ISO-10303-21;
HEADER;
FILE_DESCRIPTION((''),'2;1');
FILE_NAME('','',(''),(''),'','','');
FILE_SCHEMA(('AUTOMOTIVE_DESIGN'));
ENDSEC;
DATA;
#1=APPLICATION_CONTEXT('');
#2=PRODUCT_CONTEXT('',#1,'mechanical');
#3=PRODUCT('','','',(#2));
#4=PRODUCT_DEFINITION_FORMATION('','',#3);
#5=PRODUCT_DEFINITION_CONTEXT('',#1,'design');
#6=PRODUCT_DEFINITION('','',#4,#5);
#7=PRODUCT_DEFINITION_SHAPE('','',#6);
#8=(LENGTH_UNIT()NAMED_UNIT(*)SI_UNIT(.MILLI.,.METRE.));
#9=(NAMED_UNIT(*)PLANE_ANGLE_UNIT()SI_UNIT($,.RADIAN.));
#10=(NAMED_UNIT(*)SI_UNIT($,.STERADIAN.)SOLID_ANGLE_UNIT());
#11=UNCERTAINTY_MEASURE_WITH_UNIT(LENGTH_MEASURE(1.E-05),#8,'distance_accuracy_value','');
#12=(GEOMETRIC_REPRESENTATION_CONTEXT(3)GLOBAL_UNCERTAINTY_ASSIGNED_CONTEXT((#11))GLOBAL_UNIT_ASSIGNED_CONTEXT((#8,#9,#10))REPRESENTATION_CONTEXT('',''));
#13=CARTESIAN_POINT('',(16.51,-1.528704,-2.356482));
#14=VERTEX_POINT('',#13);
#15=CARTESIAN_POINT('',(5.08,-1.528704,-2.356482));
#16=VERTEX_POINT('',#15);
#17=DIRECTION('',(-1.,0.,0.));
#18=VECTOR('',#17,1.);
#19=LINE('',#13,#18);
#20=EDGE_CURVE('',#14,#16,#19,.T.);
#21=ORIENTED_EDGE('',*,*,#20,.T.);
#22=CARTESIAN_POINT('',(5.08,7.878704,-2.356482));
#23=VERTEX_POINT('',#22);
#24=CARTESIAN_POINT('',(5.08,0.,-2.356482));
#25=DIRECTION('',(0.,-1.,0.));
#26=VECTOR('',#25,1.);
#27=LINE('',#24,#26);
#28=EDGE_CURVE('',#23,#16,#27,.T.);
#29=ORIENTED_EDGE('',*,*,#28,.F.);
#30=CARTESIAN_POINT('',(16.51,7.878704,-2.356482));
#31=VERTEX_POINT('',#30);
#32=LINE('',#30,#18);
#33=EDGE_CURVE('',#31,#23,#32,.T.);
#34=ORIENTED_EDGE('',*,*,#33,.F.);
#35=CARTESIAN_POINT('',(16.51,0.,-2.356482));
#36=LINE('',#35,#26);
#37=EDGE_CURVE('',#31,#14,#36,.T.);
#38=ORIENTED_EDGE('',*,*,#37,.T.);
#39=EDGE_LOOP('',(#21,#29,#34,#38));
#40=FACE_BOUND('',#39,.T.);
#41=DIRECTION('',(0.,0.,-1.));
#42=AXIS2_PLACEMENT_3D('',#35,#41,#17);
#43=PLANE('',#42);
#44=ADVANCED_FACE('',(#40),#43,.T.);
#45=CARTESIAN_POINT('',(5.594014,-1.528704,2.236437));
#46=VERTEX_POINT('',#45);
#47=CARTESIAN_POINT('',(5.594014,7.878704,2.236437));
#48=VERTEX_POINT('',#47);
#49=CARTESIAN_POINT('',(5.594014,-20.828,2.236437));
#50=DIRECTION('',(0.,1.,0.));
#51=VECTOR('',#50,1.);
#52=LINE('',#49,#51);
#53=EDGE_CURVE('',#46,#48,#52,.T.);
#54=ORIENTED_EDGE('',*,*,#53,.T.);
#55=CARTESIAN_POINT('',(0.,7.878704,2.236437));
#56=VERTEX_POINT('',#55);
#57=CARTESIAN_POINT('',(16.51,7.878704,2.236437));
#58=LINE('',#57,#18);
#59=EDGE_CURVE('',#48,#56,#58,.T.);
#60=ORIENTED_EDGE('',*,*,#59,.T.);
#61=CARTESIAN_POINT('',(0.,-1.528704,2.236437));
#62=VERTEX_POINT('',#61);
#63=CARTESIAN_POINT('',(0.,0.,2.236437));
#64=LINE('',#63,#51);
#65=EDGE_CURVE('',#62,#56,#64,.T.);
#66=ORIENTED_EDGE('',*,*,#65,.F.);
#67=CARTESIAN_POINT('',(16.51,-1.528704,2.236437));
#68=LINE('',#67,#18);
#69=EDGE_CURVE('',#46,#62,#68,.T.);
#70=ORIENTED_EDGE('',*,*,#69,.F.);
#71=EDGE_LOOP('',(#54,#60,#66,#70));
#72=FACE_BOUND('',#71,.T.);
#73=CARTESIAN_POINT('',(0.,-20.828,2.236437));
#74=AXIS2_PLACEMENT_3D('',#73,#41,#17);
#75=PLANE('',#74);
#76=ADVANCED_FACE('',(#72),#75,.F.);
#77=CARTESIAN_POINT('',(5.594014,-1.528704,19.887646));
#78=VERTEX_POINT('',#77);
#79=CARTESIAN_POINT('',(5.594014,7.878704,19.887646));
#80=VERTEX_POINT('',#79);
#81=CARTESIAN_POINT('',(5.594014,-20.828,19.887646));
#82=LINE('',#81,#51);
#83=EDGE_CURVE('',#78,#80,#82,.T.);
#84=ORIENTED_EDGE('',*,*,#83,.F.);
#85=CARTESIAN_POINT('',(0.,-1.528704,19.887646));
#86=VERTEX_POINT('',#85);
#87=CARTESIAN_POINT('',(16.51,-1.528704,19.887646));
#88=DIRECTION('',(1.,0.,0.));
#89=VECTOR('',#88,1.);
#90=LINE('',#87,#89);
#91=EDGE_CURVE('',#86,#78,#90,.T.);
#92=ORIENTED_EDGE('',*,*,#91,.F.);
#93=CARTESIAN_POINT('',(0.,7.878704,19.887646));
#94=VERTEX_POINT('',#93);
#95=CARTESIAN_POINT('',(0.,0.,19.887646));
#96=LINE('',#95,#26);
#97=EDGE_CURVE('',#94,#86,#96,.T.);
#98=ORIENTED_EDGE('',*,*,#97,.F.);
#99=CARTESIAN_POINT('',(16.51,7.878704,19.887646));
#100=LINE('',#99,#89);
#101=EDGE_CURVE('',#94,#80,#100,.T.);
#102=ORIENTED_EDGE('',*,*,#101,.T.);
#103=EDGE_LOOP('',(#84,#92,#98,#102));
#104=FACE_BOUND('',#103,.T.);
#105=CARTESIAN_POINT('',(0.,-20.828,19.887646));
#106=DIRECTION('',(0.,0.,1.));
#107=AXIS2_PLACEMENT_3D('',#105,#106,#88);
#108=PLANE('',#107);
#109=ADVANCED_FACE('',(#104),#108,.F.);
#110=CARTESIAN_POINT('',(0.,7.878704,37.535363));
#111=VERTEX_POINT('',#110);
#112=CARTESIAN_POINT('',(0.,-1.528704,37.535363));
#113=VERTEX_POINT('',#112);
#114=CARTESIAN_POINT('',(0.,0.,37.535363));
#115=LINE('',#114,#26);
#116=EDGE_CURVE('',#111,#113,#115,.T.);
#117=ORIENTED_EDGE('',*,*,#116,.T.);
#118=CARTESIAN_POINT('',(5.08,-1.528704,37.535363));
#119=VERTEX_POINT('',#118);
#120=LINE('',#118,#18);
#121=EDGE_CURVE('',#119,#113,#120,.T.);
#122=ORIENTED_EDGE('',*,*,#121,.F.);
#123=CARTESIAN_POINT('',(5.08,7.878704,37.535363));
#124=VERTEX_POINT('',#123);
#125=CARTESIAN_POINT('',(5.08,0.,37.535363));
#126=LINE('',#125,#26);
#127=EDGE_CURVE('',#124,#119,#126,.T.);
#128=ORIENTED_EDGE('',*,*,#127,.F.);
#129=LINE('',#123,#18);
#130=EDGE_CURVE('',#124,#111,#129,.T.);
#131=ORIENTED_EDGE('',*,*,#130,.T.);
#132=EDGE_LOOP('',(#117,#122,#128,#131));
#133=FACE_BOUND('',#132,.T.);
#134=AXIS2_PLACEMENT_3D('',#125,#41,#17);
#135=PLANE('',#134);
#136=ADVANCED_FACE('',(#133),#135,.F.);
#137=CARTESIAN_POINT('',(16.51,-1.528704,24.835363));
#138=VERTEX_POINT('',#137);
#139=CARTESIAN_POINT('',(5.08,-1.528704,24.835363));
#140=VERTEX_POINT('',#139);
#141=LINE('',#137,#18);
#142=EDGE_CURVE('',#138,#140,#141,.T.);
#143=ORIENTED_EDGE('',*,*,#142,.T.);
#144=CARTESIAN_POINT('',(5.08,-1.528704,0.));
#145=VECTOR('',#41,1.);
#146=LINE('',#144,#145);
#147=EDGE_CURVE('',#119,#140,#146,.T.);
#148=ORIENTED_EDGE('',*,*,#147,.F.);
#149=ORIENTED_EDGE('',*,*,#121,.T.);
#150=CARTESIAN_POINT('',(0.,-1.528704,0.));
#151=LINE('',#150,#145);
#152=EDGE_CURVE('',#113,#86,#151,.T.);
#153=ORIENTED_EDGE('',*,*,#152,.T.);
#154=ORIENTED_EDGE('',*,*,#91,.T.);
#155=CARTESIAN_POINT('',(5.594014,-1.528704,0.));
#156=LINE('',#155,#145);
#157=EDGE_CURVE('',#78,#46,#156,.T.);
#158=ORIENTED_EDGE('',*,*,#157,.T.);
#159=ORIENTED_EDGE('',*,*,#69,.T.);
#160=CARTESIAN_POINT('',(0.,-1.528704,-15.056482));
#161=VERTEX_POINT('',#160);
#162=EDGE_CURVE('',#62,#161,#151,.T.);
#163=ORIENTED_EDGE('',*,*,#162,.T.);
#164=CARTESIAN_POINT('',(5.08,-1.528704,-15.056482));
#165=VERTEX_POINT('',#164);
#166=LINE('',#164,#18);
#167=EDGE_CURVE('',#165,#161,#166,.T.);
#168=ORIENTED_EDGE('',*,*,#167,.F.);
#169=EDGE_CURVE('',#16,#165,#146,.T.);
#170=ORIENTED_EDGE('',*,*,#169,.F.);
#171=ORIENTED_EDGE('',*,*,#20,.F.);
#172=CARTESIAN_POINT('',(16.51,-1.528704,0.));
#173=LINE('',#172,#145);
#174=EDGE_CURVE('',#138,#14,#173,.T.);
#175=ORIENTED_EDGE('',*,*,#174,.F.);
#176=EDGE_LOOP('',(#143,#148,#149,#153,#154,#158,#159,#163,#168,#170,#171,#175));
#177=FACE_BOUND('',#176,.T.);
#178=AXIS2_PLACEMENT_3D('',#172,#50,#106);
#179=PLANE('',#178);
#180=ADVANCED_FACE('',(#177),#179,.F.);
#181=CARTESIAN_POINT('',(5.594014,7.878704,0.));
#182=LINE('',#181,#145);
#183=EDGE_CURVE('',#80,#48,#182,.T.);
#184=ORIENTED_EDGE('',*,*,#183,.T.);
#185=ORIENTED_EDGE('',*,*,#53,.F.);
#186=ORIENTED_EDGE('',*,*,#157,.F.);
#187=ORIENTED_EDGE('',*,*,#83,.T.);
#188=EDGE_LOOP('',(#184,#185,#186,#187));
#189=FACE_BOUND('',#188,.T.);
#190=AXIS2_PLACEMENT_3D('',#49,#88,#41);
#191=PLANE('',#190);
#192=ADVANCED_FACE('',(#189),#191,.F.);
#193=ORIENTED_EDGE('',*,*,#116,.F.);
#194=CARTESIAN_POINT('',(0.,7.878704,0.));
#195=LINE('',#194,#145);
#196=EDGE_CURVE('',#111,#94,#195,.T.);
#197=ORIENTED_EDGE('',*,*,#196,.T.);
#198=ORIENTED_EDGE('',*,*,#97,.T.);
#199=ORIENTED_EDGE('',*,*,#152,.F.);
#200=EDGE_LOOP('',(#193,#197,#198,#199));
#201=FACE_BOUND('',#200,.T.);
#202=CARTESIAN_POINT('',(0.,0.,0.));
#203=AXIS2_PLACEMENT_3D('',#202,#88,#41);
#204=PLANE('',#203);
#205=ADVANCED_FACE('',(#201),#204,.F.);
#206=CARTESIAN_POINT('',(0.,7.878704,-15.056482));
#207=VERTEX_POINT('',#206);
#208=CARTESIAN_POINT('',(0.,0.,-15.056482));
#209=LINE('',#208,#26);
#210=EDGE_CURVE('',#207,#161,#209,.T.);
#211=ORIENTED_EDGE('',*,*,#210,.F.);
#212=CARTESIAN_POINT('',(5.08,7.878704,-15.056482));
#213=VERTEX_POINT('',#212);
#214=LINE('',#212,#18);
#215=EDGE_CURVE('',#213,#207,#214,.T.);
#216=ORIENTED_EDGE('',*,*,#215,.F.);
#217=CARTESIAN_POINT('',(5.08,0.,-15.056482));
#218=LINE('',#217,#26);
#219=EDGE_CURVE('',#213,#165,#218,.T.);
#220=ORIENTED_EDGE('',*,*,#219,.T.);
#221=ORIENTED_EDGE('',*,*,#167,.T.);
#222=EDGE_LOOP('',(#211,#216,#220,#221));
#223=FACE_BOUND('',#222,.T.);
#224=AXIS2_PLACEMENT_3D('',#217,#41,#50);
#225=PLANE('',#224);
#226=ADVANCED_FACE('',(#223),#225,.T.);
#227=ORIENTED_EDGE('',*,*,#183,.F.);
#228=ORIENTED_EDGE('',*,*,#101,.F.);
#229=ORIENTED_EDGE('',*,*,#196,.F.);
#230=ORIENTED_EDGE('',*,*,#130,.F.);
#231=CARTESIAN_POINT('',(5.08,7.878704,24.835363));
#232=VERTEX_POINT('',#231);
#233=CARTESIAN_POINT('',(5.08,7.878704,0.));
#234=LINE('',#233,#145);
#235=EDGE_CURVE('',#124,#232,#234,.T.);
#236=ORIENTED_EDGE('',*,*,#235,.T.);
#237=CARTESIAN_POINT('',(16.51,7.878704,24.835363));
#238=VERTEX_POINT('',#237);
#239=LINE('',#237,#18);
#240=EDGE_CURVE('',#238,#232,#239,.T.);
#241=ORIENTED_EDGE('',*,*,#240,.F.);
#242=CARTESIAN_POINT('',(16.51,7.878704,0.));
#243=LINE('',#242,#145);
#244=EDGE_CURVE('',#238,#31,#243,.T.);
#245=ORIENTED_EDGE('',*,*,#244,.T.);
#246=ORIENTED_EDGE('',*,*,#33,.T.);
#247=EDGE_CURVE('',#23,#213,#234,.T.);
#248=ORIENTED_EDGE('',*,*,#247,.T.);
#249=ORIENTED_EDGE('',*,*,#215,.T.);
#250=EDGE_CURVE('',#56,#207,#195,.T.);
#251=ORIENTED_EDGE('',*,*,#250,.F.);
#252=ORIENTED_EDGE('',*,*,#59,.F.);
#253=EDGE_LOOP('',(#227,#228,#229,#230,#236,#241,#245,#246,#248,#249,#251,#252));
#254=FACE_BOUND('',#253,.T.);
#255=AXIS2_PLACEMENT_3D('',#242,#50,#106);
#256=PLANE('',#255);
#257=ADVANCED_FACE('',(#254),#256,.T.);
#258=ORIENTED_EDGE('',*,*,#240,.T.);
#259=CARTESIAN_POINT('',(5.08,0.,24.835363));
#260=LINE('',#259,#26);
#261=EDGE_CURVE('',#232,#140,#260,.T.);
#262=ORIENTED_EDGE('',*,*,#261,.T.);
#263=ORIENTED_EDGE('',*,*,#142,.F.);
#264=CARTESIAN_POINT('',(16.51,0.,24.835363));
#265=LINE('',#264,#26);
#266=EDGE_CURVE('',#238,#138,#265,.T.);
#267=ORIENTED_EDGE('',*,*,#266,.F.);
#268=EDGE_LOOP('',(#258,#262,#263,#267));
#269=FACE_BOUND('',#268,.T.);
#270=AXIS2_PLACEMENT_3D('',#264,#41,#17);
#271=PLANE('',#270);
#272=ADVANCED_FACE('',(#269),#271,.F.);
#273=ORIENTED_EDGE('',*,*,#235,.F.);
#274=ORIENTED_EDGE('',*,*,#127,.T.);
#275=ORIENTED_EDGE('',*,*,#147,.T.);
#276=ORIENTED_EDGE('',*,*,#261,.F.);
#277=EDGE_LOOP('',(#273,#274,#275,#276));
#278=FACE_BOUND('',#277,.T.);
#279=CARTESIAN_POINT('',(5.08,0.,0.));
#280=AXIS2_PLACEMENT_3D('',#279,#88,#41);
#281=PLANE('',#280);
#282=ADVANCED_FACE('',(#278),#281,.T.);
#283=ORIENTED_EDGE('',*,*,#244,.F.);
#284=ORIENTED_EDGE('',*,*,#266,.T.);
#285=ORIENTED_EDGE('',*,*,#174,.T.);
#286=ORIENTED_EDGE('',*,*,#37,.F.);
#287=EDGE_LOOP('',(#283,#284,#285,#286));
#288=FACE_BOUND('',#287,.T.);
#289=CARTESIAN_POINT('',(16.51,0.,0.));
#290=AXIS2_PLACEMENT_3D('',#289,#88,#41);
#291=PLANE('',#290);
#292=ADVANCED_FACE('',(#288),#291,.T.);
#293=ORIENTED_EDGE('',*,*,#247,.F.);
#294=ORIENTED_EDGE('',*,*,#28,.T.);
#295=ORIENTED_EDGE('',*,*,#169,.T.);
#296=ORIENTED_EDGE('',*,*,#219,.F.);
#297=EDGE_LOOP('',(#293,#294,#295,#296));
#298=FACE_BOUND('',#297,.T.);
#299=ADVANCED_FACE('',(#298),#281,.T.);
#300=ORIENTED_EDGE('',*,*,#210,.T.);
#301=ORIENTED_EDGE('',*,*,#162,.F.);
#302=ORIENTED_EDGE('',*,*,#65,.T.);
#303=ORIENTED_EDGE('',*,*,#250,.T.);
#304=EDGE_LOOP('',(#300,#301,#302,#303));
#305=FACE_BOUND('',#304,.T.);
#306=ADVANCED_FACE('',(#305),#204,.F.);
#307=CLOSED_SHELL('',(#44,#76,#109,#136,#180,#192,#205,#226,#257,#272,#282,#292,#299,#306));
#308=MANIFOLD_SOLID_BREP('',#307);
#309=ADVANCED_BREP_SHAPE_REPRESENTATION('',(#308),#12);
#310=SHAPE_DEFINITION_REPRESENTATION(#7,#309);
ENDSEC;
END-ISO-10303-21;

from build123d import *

# Parameters (mm, degrees)
SKETCH1_W               = 27.191844216
SKETCH1_H               = 9.407407408
BOSS_EXTRUDE1_DEPTH     = 16.51
SKETCH1_3_W             = 12.7
SKETCH1_3_H             = 9.407407408
BOSS_EXTRUDE2_DEPTH     = 5.08
CUT_EXTRUDE1_DEPTH      = 20.828
CUT_EXTRUDE1_DEPTH_BACK = 20.828
SKETCH2_W               = 5.594013652
SKETCH2_H               = 17.651209439


with BuildPart() as part:
    # Sketch1 → Boss-Extrude1 (new body)
    with BuildSketch(Plane(origin=(0, 0, 0), x_dir=(0, 0, -1), z_dir=(1, 0, 0))):
        with Locations((-11.239440409, 3.175)):
            Rectangle(SKETCH1_W, SKETCH1_H)
    extrude(amount=BOSS_EXTRUDE1_DEPTH)

    # Sketch1<3> → Boss-Extrude2 (add)
    with BuildSketch(Plane(origin=(0, 0, 0), x_dir=(0, 0, -1), z_dir=(1, 0, 0))):
        with Locations((-31.185362517, 3.175)):
            Rectangle(SKETCH1_3_W, SKETCH1_3_H)
        with Locations((8.706481699, 3.175)):
            Rectangle(SKETCH1_3_W, SKETCH1_3_H)
    extrude(amount=BOSS_EXTRUDE2_DEPTH)

    # Sketch2 → Cut-Extrude1 (cut, two sides: drawn at the far end of the back side and taken through both)
    with BuildSketch(Plane(origin=(0, 0, 0), x_dir=(1, 0, 0), z_dir=(0, 1, 0)).offset(-CUT_EXTRUDE1_DEPTH_BACK)):
        with Locations((2.797006826, -11.06204132)):
            Rectangle(SKETCH2_W, SKETCH2_H)
    extrude(amount=CUT_EXTRUDE1_DEPTH + CUT_EXTRUDE1_DEPTH_BACK, mode=Mode.SUBTRACT)


solid = part.part
